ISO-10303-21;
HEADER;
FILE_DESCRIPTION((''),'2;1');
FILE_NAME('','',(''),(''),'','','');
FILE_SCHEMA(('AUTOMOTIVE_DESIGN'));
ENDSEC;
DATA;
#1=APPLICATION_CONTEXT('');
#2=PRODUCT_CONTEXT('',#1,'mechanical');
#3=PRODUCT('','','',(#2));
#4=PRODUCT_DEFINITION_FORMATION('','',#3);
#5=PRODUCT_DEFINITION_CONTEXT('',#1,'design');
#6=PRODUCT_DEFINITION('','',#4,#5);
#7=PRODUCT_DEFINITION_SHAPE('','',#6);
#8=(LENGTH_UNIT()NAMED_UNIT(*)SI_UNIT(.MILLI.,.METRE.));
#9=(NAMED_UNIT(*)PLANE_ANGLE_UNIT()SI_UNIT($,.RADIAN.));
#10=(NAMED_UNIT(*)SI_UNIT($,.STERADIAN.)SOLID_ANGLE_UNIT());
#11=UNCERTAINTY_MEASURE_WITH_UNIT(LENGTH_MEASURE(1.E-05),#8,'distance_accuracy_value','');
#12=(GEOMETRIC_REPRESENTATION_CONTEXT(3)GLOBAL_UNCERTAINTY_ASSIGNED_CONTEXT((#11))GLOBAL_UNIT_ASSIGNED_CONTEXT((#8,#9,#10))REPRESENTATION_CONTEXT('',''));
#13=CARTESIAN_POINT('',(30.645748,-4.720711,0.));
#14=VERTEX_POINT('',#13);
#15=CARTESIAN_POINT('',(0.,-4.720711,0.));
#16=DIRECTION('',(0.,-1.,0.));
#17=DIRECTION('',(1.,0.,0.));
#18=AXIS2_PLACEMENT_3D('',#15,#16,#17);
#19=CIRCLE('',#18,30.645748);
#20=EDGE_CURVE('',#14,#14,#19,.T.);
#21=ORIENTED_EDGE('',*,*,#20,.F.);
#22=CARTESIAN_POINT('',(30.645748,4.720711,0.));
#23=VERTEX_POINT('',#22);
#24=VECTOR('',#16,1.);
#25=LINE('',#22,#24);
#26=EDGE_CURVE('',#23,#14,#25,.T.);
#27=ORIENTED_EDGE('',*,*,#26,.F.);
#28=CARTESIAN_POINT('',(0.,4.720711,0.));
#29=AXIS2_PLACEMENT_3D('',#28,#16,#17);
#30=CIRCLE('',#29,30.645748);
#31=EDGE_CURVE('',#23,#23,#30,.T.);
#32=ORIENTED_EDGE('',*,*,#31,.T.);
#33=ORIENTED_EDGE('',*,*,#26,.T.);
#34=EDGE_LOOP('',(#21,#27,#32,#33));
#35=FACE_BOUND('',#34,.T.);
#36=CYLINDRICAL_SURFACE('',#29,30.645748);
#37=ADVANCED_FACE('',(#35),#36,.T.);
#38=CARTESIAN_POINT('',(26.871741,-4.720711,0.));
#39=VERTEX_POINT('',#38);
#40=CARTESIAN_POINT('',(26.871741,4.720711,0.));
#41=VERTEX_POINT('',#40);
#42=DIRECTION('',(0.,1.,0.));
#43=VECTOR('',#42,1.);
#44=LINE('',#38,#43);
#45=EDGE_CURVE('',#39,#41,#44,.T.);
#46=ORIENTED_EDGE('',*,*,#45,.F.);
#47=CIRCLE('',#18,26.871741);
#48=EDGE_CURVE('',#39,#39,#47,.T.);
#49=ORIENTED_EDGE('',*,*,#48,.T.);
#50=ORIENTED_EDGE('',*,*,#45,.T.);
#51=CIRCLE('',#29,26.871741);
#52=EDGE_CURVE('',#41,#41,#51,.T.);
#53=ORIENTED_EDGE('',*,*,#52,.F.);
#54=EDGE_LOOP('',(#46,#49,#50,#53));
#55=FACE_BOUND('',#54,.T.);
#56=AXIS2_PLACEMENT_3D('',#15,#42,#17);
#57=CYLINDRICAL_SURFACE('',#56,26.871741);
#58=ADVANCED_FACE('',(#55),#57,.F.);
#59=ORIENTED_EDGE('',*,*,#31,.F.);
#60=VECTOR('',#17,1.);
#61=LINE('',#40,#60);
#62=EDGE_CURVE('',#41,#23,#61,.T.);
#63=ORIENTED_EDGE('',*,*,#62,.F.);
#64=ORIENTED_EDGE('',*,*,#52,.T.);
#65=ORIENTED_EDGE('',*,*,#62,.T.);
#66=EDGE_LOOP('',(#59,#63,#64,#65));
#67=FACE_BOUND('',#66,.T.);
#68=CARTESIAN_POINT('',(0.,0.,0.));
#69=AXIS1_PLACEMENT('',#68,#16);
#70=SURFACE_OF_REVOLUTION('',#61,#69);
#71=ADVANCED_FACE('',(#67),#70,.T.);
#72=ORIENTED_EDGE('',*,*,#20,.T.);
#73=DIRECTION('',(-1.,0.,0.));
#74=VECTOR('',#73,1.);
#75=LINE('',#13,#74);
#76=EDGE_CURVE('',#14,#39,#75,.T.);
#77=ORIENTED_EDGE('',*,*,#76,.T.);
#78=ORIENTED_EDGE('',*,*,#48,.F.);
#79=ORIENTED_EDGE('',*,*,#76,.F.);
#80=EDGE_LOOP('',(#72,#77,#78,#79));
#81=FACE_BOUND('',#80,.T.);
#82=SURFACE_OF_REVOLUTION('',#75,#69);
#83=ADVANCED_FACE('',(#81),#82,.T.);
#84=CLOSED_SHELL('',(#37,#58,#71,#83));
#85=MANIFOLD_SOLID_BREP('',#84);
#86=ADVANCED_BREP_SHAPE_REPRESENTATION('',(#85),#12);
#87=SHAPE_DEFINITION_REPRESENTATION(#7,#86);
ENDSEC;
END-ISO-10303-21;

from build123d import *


with BuildPart() as f2:
    # F2: sweep along a path in F0
    with BuildLine(Plane.XZ) as f2_path:
        CenterArc((0, 0), 28.758744, 0, 360)
    # F1 (on Top) → F2 (sweep)
    with BuildSketch(Plane.XY):
        Polygon((-26.871741, 0), (-26.871741, 4.720711), (-30.645748, 4.720711), (-30.645748, -4.720711), (-26.871741, -4.720711), align=None)
    sweep(path=f2_path.line)


solid = f2.part
